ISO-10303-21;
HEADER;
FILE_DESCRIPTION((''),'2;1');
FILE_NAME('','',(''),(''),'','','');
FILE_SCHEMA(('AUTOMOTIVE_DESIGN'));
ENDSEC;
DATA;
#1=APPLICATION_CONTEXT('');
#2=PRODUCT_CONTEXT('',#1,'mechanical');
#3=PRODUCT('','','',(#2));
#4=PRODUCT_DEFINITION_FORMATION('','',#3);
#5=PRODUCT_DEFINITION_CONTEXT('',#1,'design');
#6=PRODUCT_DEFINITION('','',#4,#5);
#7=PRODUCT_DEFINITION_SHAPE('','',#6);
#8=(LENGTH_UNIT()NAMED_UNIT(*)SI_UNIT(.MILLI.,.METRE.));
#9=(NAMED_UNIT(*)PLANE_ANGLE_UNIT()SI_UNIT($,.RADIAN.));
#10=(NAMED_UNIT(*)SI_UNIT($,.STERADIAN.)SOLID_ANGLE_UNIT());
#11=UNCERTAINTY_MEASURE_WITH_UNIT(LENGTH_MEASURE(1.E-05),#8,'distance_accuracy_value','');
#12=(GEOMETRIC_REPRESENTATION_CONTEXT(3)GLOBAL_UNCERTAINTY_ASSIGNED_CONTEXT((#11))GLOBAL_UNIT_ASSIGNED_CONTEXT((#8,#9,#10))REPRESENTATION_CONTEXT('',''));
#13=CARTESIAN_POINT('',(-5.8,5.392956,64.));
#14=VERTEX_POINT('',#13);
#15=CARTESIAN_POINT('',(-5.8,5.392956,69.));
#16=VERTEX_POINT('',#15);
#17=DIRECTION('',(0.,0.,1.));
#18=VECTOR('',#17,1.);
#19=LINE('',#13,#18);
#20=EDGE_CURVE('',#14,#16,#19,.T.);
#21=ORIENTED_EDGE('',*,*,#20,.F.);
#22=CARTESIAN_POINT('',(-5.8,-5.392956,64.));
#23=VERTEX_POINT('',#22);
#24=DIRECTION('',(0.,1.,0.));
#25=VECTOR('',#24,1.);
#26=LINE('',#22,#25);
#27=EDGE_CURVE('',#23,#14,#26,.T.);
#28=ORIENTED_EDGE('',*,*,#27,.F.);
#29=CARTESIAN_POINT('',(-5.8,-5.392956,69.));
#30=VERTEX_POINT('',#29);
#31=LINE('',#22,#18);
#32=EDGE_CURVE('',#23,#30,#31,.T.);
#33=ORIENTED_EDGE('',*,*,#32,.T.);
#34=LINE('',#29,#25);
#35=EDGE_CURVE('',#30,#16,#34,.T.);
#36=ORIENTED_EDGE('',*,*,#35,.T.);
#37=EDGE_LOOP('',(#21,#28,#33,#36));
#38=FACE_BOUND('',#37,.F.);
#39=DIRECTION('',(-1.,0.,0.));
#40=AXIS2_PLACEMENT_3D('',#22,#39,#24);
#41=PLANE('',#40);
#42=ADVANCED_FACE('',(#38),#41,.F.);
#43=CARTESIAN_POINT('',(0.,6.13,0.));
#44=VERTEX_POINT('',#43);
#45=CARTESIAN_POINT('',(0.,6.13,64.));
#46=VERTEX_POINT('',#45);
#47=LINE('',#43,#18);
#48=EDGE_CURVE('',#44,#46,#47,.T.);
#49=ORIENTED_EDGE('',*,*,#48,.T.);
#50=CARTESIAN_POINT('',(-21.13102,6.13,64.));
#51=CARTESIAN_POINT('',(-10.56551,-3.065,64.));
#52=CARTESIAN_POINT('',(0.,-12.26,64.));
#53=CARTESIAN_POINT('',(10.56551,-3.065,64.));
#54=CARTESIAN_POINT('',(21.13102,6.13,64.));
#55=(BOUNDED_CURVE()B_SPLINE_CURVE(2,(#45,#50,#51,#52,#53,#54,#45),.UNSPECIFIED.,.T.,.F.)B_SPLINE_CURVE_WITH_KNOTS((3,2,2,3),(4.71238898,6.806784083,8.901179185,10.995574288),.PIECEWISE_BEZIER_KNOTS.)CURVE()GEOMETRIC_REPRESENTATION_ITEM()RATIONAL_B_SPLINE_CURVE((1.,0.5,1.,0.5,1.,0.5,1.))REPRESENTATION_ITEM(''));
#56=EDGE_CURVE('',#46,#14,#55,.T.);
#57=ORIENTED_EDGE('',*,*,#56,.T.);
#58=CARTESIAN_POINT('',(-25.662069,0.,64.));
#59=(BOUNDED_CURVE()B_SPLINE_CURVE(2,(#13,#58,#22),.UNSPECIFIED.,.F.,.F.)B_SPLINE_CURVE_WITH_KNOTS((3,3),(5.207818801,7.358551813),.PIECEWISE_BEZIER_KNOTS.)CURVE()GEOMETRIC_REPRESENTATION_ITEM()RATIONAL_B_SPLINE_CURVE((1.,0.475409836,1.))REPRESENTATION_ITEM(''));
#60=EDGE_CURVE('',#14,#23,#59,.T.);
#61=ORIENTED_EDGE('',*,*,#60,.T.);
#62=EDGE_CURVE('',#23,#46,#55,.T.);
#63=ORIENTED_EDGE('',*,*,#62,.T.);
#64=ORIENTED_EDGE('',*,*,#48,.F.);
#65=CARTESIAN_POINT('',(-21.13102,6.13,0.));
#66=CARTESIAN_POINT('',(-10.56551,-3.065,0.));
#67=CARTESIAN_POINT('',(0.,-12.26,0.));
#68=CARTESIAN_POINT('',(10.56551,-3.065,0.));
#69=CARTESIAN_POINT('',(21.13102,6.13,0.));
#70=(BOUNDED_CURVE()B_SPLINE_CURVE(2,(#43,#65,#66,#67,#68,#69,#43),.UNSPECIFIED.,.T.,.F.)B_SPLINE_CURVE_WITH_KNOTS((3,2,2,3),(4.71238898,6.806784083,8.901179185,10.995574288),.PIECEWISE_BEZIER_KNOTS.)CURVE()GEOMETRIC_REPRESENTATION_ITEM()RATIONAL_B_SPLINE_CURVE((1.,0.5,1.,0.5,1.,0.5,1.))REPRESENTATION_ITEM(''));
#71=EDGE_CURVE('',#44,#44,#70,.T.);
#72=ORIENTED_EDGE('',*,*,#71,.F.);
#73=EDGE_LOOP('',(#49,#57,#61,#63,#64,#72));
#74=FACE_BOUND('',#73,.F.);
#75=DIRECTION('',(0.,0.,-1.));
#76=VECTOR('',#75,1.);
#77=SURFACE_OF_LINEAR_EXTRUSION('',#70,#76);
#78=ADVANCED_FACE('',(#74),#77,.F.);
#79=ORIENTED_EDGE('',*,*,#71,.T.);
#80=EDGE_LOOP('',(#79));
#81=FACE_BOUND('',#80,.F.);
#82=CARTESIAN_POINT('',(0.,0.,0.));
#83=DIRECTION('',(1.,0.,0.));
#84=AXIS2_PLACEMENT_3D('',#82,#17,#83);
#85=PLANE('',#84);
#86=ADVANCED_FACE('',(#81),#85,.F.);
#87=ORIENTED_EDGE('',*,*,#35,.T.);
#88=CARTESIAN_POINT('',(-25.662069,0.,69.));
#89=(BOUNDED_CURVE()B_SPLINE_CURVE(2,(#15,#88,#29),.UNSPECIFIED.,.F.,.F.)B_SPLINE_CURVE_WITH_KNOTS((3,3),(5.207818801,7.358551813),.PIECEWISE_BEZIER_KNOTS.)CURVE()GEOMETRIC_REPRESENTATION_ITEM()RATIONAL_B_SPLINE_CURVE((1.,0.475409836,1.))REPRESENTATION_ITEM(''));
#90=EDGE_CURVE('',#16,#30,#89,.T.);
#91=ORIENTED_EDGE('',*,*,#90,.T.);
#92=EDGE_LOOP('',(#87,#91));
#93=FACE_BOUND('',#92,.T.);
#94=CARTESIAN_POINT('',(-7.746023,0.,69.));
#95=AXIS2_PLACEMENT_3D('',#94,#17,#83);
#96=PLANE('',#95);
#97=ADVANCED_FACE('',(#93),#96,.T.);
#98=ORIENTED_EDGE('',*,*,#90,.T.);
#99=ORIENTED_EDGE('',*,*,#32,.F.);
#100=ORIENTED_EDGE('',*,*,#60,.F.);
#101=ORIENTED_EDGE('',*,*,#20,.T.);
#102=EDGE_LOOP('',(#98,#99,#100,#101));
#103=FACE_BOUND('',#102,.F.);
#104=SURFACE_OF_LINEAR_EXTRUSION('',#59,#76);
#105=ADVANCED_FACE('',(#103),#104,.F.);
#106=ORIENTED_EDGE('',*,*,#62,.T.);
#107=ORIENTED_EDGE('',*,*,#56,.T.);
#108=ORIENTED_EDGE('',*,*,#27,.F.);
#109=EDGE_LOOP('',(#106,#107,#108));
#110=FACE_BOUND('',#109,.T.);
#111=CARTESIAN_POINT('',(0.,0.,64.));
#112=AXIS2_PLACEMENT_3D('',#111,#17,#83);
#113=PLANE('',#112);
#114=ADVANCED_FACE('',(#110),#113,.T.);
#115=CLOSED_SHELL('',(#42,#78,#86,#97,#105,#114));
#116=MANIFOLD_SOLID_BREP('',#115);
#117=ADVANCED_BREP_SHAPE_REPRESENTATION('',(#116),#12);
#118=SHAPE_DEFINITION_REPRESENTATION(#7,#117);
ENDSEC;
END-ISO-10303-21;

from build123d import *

# Parameters (mm, degrees)
F1_DEPTH = 64
F3_DEPTH = 5


with BuildPart() as f1:
    # F0 (on Top) → F1 (new body)
    with BuildSketch(Plane.XY):
        with BuildLine():
            add(Edge.make_bspline(
                [(0, 6.13), (-21.1310198523, 6.13), (-10.5655099262, -3.065), (0, -12.26), (10.5655099262, -3.065), (21.1310198523, 6.13), (0, 6.13)],
                knots=[4.7123889804, 4.7123889804, 4.7123889804, 6.8067840828, 6.8067840828, 8.9011791852, 8.9011791852, 10.9955742876, 10.9955742876, 10.9955742876], degree=2, weights=[1, 0.5, 1, 0.5, 1, 0.5, 1]))
        make_face()
    extrude(amount=F1_DEPTH)

    # F2 (on face) → F3 (join)
    with BuildSketch(Plane.XY.offset(64)):
        with BuildLine():
            add(Edge.make_bspline(
                [(-5.8, 5.3929560795), (-25.6620689655, 0), (-5.8, -5.3929560795)],
                knots=[5.207818801, 5.207818801, 5.207818801, 7.3585518134, 7.3585518134, 7.3585518134], degree=2, weights=[1, 0.4754098361, 1]))
            Line((-5.8, -5.3929560795), (-5.8, 5.3929560795))
        make_face()
    extrude(amount=F3_DEPTH)


solid = f1.part
